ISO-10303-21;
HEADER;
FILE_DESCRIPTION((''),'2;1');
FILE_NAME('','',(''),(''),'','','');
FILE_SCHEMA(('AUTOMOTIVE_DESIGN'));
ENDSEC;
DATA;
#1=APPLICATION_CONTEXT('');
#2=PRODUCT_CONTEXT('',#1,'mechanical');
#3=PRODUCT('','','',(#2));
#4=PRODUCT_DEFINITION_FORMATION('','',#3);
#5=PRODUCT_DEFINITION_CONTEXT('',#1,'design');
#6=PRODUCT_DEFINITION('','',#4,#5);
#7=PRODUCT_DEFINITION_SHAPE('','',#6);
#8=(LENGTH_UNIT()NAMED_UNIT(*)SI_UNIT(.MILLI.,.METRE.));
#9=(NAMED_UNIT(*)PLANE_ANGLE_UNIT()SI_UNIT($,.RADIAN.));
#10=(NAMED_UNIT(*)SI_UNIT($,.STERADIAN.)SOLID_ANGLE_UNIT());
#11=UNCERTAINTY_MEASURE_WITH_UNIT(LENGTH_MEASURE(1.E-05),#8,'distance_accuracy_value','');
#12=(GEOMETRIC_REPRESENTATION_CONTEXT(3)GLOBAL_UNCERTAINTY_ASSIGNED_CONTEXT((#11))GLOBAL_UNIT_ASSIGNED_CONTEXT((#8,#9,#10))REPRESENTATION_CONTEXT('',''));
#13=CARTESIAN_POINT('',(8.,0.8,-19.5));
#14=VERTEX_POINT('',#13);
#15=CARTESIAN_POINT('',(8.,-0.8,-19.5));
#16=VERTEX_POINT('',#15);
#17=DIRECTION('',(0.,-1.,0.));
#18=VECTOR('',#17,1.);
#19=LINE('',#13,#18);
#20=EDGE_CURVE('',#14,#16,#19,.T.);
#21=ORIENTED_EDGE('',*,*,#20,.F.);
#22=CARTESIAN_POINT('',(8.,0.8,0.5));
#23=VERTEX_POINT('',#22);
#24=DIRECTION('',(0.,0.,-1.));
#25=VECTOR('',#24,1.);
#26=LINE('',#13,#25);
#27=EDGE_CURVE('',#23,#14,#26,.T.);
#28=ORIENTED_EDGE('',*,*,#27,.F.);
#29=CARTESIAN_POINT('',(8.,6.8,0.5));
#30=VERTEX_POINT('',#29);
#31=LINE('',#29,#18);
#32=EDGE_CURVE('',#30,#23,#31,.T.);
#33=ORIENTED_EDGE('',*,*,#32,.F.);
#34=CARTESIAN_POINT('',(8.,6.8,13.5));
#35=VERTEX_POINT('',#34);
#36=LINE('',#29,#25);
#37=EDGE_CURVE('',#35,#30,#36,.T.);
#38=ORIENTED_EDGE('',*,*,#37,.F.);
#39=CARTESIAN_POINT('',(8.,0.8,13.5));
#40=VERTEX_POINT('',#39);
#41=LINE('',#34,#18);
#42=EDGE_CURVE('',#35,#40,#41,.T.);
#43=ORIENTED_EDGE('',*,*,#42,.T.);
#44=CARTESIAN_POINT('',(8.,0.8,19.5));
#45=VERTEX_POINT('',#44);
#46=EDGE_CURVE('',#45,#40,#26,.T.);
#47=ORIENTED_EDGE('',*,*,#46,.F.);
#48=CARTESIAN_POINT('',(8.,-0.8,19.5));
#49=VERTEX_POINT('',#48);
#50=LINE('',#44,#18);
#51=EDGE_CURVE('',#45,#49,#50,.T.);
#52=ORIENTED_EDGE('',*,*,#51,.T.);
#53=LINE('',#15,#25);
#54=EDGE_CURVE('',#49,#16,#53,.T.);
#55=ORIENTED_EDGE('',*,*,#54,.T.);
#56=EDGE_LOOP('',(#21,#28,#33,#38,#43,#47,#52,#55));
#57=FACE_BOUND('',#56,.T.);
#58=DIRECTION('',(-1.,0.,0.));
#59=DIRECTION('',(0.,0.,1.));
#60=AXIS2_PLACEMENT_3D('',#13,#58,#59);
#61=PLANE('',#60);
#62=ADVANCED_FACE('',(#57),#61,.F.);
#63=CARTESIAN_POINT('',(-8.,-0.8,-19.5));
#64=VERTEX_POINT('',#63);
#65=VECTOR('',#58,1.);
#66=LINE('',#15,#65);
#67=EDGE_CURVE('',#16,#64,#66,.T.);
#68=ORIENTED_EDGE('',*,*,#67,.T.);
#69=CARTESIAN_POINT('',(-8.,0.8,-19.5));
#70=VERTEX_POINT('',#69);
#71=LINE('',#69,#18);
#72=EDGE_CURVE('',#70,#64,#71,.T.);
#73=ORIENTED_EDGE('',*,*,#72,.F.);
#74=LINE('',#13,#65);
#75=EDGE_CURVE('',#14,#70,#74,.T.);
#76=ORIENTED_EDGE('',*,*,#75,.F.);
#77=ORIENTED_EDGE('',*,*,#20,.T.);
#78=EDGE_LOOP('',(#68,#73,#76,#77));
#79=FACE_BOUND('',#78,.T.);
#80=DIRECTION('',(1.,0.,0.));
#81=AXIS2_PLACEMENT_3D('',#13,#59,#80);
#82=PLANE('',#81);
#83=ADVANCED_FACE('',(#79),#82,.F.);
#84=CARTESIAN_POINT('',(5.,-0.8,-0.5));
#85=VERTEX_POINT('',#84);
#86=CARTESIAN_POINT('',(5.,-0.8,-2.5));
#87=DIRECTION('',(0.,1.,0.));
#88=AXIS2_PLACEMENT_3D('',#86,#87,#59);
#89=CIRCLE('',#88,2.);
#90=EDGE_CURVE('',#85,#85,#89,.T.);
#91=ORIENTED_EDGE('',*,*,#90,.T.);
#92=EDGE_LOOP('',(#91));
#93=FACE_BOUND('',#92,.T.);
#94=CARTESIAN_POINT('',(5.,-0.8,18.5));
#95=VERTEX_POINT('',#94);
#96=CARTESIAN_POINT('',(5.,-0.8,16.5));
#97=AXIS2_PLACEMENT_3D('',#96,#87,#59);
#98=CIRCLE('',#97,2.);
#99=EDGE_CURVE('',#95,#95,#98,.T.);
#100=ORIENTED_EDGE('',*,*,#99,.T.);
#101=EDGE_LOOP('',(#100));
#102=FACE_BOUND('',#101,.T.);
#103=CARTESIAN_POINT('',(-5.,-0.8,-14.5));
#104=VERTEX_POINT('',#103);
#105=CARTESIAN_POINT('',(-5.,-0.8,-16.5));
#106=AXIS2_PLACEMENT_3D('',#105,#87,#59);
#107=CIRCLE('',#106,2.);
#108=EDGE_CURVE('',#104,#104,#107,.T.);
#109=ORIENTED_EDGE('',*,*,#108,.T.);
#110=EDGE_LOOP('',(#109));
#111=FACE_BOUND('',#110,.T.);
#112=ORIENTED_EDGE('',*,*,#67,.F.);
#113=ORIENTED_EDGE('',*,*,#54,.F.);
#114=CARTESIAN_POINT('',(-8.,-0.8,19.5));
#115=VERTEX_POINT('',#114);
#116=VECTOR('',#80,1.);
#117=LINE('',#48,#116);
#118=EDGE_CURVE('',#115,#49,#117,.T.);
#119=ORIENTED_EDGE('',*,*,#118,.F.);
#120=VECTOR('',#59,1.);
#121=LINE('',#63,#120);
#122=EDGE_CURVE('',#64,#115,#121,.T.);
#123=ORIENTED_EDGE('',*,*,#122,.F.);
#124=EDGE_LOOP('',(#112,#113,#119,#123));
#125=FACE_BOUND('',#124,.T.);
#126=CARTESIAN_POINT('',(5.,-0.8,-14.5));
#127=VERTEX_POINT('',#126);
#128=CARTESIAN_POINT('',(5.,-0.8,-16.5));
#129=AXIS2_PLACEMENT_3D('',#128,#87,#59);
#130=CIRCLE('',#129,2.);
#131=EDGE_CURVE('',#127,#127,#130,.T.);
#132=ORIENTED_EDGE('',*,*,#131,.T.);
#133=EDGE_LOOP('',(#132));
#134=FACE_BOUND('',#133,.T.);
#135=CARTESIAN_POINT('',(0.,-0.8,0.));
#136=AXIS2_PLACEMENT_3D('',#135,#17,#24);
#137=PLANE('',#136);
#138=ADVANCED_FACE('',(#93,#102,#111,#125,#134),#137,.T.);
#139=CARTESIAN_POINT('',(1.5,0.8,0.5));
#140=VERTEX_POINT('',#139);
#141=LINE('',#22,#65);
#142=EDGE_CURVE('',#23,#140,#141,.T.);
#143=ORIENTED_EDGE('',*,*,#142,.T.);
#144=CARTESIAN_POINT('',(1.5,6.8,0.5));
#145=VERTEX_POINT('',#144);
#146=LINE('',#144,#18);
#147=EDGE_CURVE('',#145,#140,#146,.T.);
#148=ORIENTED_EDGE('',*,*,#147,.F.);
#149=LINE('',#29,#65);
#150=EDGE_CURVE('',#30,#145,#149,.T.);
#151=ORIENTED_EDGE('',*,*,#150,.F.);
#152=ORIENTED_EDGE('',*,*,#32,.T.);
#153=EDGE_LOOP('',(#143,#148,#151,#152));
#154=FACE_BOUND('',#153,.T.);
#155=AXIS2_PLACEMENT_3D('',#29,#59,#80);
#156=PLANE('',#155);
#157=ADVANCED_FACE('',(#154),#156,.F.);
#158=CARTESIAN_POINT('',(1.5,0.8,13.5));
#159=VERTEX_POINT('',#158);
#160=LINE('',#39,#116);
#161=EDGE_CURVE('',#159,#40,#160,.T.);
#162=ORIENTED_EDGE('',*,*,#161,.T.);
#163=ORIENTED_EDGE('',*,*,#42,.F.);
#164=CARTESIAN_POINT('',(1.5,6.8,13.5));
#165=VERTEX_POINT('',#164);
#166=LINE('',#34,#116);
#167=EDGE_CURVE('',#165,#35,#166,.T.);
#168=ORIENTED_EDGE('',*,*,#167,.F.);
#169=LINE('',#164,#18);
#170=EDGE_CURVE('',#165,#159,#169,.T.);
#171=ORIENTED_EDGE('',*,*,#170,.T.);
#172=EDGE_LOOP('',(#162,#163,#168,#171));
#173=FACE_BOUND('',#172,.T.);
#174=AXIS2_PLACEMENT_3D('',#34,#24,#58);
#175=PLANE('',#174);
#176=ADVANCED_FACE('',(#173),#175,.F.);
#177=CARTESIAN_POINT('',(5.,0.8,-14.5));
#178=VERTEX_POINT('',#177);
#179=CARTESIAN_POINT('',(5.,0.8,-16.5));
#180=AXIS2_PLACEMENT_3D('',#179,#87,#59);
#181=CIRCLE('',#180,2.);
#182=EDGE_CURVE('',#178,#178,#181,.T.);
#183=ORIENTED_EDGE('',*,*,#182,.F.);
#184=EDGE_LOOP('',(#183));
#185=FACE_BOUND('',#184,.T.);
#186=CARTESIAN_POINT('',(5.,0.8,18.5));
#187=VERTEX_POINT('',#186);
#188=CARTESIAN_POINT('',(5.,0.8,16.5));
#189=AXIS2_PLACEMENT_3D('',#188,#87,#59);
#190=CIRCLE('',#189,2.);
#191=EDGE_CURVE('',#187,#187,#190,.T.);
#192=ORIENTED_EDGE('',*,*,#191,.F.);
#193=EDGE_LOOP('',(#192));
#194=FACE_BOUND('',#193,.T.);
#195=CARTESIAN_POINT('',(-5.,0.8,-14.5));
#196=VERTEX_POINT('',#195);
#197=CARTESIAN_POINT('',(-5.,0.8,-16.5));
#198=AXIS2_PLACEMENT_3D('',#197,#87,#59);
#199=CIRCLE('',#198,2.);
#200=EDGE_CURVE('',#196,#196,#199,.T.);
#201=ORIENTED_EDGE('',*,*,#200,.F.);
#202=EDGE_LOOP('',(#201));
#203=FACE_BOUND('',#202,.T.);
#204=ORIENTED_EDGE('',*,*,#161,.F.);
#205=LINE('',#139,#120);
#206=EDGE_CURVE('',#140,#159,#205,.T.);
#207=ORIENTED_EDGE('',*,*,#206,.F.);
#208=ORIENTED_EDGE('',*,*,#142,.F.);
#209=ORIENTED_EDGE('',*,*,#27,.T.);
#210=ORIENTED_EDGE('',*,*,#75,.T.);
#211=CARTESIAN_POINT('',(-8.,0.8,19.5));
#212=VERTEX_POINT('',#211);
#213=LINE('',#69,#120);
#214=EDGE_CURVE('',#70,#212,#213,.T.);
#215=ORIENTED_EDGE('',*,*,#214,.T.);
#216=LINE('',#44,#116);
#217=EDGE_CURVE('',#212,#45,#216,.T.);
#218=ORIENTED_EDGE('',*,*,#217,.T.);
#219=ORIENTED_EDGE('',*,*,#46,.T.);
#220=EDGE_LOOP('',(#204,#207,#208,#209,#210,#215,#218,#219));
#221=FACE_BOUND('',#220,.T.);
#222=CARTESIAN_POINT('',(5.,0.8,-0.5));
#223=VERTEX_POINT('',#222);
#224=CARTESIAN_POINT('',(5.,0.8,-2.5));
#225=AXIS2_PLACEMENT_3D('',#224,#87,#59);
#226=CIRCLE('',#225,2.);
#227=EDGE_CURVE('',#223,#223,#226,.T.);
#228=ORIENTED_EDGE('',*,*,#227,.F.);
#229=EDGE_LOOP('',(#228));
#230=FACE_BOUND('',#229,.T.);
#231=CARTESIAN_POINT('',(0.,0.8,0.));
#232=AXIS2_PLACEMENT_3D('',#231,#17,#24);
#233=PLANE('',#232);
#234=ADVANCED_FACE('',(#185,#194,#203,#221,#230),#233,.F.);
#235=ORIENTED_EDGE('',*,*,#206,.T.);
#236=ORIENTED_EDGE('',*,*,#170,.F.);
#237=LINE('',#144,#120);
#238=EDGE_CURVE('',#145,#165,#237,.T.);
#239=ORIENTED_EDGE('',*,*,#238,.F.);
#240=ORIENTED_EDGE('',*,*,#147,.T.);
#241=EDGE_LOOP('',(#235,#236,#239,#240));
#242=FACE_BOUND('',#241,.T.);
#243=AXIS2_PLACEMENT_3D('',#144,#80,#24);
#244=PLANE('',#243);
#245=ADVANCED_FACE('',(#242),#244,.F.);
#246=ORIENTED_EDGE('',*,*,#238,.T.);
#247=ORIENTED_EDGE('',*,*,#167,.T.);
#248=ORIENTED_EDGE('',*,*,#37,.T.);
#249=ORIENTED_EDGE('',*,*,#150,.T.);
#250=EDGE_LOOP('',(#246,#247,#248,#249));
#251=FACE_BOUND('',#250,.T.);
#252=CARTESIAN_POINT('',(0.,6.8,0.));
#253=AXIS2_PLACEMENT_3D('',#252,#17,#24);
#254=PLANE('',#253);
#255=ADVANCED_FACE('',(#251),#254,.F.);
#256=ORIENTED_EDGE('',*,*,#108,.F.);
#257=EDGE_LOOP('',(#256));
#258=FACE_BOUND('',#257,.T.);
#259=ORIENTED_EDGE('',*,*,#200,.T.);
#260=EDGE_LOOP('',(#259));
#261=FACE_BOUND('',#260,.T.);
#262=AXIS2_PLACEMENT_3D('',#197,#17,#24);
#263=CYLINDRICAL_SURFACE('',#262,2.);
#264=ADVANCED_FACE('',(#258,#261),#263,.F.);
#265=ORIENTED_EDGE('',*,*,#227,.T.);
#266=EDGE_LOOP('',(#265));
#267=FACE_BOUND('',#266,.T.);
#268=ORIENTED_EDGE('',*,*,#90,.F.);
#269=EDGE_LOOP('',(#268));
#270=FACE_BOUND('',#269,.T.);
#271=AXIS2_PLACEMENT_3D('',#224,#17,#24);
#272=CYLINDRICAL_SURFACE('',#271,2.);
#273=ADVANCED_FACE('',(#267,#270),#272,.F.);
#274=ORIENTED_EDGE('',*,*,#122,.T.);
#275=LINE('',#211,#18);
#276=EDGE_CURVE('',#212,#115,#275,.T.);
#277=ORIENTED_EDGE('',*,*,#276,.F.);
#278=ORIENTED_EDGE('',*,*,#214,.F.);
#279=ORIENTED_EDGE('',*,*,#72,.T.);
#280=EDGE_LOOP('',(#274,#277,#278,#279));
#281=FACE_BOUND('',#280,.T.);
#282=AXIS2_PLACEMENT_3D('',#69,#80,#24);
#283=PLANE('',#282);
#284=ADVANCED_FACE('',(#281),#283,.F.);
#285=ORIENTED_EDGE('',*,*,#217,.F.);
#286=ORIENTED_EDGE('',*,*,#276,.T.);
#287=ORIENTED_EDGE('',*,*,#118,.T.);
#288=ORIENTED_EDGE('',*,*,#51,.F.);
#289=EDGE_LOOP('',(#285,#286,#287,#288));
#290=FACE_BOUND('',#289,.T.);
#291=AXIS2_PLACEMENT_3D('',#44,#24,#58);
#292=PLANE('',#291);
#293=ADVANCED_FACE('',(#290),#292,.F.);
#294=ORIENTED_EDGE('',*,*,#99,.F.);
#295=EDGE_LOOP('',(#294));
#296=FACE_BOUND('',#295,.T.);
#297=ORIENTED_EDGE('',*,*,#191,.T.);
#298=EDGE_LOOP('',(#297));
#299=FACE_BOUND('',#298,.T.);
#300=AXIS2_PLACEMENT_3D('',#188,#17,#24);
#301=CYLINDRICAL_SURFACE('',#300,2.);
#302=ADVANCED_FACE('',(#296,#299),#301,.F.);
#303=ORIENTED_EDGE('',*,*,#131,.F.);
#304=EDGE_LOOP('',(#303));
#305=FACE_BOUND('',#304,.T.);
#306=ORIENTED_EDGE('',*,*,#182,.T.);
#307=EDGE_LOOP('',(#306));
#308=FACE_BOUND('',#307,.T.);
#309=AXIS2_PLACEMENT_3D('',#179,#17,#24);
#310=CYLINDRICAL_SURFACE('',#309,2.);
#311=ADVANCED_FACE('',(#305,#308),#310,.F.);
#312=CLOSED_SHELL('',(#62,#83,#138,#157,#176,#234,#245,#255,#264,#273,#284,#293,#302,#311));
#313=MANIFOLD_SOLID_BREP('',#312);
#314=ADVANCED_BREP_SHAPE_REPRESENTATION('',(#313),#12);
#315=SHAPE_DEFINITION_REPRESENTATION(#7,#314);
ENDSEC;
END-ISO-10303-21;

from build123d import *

# Parameters (mm, degrees)
SKETCH1_W           = 16
SKETCH1_H           = 39
SKETCH1_R           = 2
BOSS_EXTRUDE1_DEPTH = 0.8
SKETCH2_W           = 6.5
SKETCH2_H           = 13
BOSS_EXTRUDE2_DEPTH = 6


with BuildPart() as part:
    # Sketch1 → Boss-Extrude1 (new, symmetric)
    with BuildSketch(Plane(origin=(0, 0, 0), x_dir=(1, 0, 0), z_dir=(0, 1, 0))):
        Rectangle(SKETCH1_W, SKETCH1_H)
        with Locations(Location((5, -16.5, 0), (0, 0, 270))):
            Circle(SKETCH1_R, mode=Mode.SUBTRACT)
        with Locations(Location((5, 2.5, 0), (0, 0, 270))):
            Circle(SKETCH1_R, mode=Mode.SUBTRACT)
        with Locations(Location((5, 16.5, 0), (0, 0, 270))):
            Circle(SKETCH1_R, mode=Mode.SUBTRACT)
        with Locations(Location((-5, 16.5, 0), (0, 0, 270))):
            Circle(SKETCH1_R, mode=Mode.SUBTRACT)
    extrude(amount=BOSS_EXTRUDE1_DEPTH, both=True)

    # Sketch2 → Boss-Extrude2 (add)
    with BuildSketch(Plane(origin=(0, 0.8, 0), x_dir=(1, 0, 0), z_dir=(0, 1, 0))):
        with Locations((4.75, -7)):
            Rectangle(SKETCH2_W, SKETCH2_H)
    extrude(amount=BOSS_EXTRUDE2_DEPTH)


solid = part.part
